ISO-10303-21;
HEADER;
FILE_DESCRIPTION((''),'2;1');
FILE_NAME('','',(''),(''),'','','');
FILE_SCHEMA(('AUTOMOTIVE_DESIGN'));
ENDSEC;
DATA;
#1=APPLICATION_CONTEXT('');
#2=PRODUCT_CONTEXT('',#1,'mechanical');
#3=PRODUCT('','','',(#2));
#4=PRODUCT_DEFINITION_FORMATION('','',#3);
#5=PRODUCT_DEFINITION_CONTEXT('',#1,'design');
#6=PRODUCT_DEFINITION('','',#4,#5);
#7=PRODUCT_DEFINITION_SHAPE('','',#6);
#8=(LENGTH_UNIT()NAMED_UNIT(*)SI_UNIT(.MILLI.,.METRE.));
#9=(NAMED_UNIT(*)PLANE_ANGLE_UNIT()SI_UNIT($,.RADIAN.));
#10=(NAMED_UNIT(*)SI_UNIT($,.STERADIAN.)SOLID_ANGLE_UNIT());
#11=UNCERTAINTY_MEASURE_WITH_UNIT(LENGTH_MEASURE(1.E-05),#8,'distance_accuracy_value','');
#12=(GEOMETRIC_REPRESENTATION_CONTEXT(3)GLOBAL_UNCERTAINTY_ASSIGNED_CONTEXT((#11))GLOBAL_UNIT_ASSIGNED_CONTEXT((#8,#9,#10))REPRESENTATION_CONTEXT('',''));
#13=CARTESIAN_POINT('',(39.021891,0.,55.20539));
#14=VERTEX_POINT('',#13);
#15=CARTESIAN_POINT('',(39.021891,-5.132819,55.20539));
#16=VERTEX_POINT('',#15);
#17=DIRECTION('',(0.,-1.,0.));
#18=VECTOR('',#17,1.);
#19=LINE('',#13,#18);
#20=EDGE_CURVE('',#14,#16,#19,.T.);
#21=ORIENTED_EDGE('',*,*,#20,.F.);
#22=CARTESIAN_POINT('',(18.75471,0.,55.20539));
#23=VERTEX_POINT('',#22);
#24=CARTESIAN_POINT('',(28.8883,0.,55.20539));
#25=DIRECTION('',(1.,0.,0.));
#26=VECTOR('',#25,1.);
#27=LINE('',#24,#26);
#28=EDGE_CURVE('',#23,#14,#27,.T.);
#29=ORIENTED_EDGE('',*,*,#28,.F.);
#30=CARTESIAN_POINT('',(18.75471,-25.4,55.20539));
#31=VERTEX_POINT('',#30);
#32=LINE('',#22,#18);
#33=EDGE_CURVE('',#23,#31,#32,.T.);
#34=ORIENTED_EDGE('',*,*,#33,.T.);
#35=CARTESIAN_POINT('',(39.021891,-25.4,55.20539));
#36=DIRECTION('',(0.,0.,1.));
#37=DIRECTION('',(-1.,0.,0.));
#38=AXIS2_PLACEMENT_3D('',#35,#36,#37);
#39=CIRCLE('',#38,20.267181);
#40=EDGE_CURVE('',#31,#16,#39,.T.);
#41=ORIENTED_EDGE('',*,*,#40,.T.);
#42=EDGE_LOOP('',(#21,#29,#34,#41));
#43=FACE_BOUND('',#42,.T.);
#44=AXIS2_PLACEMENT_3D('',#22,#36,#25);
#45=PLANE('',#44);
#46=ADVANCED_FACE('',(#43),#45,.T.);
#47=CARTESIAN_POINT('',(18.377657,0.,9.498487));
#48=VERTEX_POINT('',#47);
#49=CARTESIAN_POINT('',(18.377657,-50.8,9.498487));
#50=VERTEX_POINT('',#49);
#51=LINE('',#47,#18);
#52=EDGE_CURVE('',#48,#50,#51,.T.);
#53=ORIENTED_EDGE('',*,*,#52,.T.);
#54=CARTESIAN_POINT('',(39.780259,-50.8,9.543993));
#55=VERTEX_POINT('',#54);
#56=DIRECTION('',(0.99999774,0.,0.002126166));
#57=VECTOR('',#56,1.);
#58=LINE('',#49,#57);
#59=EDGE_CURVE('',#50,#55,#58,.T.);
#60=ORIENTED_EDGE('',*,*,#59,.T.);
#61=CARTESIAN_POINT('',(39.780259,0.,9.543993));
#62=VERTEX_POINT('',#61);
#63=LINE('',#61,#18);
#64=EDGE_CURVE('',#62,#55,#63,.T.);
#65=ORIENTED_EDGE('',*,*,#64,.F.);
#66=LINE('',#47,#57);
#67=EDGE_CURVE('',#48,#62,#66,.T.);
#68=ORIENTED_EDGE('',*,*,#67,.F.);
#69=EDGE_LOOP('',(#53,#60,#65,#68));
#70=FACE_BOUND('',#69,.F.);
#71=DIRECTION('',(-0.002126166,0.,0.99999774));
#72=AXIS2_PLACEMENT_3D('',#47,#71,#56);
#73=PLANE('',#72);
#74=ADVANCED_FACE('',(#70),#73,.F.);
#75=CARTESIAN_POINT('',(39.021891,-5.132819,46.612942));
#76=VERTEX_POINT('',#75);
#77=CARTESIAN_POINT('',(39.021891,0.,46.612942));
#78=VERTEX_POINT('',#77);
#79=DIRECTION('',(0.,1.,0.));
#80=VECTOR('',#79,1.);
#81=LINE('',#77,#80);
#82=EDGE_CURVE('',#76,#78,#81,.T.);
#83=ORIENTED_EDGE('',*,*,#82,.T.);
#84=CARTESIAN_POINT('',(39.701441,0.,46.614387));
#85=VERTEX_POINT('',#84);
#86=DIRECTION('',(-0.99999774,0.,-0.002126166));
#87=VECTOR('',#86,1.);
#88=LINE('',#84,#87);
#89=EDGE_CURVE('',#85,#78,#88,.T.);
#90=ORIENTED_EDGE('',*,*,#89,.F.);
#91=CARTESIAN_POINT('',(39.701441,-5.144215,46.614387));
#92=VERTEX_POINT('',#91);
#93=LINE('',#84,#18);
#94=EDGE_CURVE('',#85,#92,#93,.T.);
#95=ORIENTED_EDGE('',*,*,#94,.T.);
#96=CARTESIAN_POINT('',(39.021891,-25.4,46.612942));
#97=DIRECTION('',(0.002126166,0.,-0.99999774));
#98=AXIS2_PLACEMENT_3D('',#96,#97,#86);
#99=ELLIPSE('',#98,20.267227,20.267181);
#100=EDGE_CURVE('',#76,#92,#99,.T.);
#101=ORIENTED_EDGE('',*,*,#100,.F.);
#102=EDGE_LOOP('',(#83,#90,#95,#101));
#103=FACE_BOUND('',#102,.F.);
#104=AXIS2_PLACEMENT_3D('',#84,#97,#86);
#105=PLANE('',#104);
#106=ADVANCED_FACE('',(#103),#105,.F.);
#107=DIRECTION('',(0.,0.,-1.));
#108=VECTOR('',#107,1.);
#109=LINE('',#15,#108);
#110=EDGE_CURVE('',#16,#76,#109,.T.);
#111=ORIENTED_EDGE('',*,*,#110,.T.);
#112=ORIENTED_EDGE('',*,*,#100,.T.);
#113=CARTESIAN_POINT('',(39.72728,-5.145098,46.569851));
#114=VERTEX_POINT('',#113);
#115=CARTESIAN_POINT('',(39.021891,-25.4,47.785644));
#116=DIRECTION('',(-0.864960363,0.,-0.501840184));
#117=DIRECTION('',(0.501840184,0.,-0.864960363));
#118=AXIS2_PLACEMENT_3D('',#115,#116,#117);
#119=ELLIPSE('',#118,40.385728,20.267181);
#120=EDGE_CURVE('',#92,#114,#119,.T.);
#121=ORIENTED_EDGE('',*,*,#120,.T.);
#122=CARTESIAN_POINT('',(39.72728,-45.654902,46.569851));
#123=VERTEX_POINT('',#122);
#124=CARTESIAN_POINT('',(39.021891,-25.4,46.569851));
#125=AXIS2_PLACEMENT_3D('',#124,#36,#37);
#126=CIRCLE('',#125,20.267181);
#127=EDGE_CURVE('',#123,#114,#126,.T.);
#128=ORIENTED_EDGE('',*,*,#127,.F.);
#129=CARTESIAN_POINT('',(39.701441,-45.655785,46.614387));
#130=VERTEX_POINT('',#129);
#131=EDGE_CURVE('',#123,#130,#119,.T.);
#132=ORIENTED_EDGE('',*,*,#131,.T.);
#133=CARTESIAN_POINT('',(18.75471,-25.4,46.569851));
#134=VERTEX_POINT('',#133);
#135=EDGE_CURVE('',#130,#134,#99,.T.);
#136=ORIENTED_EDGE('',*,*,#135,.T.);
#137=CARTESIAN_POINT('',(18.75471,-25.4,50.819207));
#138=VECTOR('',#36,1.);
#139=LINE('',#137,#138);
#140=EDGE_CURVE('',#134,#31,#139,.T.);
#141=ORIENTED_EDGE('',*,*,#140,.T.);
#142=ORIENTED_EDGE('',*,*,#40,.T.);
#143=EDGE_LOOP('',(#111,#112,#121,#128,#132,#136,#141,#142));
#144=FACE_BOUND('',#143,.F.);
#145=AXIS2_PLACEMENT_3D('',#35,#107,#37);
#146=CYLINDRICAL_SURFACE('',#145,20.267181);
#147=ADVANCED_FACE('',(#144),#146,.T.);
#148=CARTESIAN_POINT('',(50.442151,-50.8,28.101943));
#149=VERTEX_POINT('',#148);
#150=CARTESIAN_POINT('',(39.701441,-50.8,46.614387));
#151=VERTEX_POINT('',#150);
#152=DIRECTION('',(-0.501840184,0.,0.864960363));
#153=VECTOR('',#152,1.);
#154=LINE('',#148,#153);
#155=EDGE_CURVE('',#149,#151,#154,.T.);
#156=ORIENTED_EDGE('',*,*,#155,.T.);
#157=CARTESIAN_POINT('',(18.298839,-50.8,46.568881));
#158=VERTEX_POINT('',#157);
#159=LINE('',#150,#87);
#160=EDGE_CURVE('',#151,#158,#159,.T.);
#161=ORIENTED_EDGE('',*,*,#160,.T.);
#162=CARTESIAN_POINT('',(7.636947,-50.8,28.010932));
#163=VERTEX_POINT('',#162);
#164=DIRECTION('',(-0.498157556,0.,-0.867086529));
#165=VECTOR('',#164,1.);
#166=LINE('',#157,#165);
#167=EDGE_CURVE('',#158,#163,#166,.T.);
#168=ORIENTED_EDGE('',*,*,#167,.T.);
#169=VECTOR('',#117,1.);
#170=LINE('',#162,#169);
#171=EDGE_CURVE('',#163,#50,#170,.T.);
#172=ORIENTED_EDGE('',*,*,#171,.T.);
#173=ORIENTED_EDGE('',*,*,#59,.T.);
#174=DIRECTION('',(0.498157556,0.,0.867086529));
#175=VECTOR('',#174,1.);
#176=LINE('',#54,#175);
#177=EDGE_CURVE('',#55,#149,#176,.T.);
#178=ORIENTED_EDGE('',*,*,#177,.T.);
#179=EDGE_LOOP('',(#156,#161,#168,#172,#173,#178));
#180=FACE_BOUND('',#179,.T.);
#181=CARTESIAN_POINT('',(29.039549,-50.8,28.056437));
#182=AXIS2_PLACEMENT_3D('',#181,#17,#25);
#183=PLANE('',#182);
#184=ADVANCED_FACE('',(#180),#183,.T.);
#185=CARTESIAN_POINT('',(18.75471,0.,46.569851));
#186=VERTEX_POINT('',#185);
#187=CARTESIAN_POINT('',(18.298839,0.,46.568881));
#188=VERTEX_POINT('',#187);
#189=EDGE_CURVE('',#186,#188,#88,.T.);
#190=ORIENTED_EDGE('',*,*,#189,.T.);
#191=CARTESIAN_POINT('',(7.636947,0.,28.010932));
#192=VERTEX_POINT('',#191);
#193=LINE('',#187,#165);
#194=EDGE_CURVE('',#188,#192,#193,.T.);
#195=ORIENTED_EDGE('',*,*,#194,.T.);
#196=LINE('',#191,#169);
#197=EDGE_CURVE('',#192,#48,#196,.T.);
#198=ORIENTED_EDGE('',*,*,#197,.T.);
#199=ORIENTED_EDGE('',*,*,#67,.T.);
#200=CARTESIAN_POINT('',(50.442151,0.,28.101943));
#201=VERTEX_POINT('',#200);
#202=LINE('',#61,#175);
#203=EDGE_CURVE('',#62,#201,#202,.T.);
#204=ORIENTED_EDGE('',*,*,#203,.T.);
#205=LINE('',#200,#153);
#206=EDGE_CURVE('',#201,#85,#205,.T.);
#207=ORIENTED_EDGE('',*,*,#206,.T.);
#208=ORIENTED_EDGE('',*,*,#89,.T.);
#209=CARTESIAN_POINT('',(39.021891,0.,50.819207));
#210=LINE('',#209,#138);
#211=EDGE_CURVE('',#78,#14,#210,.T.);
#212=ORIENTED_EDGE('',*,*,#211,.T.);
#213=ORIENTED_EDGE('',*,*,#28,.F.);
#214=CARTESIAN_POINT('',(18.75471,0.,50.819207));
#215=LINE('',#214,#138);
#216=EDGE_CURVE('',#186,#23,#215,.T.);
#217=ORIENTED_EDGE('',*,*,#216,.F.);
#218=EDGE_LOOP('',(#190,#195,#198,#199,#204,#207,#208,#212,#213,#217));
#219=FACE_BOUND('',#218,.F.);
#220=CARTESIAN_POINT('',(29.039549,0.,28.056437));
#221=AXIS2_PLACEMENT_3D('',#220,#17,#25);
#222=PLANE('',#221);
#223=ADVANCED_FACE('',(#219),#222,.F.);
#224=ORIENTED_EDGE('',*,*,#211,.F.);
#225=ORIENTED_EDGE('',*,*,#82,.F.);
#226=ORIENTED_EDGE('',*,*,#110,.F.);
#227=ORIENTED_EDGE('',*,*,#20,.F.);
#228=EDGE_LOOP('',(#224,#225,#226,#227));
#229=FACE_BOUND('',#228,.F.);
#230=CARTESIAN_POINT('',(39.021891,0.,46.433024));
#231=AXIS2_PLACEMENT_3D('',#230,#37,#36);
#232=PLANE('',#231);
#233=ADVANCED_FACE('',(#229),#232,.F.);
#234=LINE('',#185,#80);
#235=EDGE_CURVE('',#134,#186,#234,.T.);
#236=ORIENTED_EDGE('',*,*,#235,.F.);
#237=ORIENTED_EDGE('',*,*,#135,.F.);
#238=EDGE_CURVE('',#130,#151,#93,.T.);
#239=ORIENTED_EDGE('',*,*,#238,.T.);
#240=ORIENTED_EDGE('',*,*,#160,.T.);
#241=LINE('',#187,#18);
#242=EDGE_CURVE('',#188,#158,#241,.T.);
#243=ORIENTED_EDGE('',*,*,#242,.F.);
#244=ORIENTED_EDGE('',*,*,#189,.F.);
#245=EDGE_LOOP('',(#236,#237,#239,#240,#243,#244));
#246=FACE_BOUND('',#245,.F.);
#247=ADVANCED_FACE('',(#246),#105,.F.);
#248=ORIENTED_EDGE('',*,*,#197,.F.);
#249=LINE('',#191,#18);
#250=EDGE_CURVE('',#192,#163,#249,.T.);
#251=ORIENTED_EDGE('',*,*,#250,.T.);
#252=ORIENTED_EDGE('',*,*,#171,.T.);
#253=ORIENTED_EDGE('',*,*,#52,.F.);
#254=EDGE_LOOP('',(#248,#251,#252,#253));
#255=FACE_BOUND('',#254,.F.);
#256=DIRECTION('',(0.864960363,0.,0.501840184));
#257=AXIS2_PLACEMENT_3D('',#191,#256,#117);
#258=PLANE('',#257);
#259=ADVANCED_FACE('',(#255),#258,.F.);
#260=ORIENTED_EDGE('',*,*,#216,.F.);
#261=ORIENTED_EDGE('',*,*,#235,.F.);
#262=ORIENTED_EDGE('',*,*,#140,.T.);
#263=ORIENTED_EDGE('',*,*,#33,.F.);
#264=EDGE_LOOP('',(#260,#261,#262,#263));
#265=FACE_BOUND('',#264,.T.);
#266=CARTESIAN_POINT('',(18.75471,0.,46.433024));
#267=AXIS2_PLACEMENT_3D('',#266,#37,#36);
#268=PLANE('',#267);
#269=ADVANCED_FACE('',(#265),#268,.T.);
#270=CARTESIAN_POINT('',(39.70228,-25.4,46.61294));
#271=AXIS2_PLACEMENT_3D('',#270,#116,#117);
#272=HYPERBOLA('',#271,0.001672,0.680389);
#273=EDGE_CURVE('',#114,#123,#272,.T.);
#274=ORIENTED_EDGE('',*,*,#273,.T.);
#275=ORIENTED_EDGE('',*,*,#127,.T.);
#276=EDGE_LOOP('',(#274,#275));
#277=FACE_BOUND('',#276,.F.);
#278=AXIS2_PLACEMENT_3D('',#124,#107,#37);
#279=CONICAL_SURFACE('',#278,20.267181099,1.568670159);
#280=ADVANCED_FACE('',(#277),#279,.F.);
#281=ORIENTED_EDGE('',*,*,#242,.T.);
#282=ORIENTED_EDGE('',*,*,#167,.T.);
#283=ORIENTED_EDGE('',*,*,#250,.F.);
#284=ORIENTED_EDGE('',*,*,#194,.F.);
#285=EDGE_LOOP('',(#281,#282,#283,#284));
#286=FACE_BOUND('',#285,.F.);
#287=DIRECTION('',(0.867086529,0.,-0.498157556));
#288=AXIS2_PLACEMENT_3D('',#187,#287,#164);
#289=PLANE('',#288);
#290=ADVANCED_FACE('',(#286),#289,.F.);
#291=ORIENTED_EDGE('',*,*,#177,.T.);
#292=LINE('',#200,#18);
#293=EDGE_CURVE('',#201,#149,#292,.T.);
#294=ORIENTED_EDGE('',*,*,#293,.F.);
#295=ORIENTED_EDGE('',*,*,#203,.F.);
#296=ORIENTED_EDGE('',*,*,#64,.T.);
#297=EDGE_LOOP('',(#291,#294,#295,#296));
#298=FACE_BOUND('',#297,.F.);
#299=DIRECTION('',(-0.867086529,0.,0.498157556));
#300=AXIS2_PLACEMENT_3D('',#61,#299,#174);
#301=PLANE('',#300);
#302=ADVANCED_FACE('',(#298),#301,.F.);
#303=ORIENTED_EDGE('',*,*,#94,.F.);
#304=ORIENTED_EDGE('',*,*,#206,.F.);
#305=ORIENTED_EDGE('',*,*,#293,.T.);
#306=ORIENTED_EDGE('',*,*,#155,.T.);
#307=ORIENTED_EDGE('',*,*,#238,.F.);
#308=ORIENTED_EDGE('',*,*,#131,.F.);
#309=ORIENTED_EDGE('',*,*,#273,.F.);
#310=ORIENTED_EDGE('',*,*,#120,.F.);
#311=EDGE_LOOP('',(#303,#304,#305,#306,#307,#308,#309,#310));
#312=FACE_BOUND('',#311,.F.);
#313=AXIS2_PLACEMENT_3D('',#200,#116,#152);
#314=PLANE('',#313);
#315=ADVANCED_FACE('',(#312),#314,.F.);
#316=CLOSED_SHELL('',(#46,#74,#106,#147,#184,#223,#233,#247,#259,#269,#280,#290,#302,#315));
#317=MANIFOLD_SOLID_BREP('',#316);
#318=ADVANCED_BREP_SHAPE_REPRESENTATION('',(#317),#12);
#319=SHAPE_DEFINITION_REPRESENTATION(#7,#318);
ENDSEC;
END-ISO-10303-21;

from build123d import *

# Parameters (mm, degrees)
F1_DEPTH = 50.8
F2_W     = 20.2671810985
F2_H     = 8.7723657489
F3_DEPTH = 25.4


with BuildPart() as f1:
    # F0 (on Front) → F1 (new body)
    with BuildSketch(Plane.XZ):
        Polygon((50.4421505383, 28.1019427396), (39.7014406272, 46.614386835), (18.2988387989, 46.5688812451), (7.6369468817, 28.0109315597), (18.3776567927, 9.4984874643), (39.780258621, 9.5439930542), align=None)
    extrude(amount=F1_DEPTH)

    # F2 (on Front) → F3 (join)
    with BuildSketch(Plane.XZ):
        with Locations((28.8883000612, 50.8192069829)):
            Rectangle(F2_W, F2_H)
    extrude(amount=F3_DEPTH)

    # F3_face (on face) → F4 (revolve)
    with BuildSketch(Plane(origin=(28.8798511824, -25.4, 50.8983840717), x_dir=(1, 0, 0), z_dir=(0, -1, 0))):
        Polygon((10.1420394281, 4.3070057856), (-10.1251416704, 4.3070057856), (-10.1251416704, -4.3285335675), (10.1420394281, -4.2854420762), align=None)
    revolve(axis=Axis((39.0218906105, -25.4, 50.9091659264), (0, 0, 1)))


solid = f1.part
